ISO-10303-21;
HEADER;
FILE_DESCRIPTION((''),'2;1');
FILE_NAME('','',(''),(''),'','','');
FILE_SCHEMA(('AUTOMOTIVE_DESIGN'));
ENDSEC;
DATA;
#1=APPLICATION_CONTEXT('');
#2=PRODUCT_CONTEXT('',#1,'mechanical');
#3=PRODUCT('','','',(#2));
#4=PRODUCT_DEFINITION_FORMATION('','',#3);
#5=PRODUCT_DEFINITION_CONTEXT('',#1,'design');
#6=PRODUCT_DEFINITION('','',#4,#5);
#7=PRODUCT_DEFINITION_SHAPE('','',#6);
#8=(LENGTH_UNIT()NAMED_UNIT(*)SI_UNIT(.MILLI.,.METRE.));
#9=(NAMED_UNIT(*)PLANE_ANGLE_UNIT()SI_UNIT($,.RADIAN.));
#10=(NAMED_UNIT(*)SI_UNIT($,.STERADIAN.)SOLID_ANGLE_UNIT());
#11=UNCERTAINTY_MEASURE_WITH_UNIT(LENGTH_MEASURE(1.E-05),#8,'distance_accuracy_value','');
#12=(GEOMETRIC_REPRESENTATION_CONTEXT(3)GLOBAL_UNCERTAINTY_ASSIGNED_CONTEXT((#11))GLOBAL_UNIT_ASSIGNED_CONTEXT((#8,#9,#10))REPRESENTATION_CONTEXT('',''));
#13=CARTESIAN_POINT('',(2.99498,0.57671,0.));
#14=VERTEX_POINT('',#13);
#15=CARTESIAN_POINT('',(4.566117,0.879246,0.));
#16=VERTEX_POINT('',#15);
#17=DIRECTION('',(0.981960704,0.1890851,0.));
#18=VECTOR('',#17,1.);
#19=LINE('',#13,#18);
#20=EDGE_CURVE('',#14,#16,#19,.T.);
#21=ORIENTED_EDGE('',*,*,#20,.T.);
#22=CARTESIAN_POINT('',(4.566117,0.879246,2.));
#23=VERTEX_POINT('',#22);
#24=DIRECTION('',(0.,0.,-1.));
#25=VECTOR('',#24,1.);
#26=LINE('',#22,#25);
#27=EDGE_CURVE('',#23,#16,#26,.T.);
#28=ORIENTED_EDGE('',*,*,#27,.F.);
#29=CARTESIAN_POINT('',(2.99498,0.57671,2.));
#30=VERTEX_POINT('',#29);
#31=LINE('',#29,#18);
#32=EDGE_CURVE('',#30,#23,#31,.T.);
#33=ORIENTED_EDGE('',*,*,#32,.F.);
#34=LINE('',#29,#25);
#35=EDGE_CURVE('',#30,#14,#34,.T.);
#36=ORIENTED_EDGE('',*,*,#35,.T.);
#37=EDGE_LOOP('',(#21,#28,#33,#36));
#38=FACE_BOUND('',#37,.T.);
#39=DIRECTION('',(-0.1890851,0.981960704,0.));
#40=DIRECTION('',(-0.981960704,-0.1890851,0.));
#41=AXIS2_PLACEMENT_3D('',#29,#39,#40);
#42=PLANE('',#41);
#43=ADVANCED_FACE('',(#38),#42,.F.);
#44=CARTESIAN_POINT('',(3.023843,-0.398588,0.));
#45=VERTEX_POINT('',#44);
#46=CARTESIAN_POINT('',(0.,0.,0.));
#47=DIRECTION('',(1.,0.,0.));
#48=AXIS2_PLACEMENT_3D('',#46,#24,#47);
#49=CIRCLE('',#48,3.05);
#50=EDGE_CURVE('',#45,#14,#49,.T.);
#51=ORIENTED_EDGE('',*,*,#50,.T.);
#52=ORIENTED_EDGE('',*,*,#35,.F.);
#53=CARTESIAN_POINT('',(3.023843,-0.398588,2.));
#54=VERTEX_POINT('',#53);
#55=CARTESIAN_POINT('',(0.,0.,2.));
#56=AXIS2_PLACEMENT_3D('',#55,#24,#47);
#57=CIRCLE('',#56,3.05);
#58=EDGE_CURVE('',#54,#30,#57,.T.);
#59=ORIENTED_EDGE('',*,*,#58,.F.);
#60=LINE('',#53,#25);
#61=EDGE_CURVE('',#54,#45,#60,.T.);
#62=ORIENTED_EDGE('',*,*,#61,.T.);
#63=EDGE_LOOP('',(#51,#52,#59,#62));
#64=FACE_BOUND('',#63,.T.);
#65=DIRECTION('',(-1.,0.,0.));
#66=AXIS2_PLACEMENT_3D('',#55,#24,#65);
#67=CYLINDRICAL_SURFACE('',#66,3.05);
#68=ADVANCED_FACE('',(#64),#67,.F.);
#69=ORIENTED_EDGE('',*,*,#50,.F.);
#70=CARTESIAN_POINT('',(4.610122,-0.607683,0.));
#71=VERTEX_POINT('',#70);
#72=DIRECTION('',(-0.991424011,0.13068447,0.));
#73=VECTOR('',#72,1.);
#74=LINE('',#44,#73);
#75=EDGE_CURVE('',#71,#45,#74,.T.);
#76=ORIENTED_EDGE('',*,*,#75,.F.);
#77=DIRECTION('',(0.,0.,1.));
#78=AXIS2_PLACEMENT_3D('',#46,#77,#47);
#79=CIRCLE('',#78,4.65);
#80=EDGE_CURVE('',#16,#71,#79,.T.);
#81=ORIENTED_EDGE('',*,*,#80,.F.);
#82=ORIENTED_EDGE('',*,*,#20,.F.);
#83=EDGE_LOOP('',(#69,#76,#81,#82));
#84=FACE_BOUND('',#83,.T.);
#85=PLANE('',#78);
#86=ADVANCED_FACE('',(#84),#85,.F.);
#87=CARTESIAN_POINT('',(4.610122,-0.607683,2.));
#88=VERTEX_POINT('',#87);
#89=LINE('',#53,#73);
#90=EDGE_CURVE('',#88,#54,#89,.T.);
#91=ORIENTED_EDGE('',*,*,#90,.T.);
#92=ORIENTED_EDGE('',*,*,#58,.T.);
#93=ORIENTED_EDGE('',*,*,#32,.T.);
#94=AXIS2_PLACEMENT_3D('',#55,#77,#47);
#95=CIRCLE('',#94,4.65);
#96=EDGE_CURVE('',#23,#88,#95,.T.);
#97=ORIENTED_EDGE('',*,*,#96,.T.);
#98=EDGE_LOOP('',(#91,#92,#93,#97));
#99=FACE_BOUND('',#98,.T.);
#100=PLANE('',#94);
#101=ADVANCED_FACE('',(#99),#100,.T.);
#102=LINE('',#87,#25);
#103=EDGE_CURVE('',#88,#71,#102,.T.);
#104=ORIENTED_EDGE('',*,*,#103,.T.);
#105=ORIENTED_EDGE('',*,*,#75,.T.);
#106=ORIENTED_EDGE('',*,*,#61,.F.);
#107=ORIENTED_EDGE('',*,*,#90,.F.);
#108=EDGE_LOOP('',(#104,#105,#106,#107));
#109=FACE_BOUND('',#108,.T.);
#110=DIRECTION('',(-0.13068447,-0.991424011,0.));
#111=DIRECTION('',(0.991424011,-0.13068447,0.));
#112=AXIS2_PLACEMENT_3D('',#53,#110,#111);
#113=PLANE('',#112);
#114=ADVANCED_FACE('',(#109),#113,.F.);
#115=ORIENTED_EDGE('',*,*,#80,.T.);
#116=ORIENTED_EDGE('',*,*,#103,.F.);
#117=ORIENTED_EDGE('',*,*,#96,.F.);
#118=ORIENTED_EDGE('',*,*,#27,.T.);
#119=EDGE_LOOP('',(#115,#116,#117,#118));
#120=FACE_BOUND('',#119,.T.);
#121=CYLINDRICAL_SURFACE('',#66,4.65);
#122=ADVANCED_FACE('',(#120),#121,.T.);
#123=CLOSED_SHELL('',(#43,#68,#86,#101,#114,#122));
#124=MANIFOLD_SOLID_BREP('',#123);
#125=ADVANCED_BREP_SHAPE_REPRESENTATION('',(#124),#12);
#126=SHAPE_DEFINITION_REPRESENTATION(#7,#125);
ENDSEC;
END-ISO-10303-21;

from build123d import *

# Parameters (mm, degrees)
EXTRUDE_1_DEPTH = 2


with BuildPart() as part:
    # 草图1 → 凸台-拉伸1 (new body)
    with BuildSketch(Plane.XY):
        with BuildLine():
            Line((2.994980148, 0.576709555), (4.566117276, 0.879245714))
            ThreePointArc((4.566117276, 0.879245714), (-4.647965071, -0.137552545), (4.610121651, -0.607682783))
            Line((4.610121651, -0.607682783), (3.023843233, -0.398587632))
            ThreePointArc((3.023843233, -0.398587632), (-3.048665261, -0.090222637), (2.994980148, 0.576709555))
        make_face()
    extrude(amount=EXTRUDE_1_DEPTH)


solid = part.part
